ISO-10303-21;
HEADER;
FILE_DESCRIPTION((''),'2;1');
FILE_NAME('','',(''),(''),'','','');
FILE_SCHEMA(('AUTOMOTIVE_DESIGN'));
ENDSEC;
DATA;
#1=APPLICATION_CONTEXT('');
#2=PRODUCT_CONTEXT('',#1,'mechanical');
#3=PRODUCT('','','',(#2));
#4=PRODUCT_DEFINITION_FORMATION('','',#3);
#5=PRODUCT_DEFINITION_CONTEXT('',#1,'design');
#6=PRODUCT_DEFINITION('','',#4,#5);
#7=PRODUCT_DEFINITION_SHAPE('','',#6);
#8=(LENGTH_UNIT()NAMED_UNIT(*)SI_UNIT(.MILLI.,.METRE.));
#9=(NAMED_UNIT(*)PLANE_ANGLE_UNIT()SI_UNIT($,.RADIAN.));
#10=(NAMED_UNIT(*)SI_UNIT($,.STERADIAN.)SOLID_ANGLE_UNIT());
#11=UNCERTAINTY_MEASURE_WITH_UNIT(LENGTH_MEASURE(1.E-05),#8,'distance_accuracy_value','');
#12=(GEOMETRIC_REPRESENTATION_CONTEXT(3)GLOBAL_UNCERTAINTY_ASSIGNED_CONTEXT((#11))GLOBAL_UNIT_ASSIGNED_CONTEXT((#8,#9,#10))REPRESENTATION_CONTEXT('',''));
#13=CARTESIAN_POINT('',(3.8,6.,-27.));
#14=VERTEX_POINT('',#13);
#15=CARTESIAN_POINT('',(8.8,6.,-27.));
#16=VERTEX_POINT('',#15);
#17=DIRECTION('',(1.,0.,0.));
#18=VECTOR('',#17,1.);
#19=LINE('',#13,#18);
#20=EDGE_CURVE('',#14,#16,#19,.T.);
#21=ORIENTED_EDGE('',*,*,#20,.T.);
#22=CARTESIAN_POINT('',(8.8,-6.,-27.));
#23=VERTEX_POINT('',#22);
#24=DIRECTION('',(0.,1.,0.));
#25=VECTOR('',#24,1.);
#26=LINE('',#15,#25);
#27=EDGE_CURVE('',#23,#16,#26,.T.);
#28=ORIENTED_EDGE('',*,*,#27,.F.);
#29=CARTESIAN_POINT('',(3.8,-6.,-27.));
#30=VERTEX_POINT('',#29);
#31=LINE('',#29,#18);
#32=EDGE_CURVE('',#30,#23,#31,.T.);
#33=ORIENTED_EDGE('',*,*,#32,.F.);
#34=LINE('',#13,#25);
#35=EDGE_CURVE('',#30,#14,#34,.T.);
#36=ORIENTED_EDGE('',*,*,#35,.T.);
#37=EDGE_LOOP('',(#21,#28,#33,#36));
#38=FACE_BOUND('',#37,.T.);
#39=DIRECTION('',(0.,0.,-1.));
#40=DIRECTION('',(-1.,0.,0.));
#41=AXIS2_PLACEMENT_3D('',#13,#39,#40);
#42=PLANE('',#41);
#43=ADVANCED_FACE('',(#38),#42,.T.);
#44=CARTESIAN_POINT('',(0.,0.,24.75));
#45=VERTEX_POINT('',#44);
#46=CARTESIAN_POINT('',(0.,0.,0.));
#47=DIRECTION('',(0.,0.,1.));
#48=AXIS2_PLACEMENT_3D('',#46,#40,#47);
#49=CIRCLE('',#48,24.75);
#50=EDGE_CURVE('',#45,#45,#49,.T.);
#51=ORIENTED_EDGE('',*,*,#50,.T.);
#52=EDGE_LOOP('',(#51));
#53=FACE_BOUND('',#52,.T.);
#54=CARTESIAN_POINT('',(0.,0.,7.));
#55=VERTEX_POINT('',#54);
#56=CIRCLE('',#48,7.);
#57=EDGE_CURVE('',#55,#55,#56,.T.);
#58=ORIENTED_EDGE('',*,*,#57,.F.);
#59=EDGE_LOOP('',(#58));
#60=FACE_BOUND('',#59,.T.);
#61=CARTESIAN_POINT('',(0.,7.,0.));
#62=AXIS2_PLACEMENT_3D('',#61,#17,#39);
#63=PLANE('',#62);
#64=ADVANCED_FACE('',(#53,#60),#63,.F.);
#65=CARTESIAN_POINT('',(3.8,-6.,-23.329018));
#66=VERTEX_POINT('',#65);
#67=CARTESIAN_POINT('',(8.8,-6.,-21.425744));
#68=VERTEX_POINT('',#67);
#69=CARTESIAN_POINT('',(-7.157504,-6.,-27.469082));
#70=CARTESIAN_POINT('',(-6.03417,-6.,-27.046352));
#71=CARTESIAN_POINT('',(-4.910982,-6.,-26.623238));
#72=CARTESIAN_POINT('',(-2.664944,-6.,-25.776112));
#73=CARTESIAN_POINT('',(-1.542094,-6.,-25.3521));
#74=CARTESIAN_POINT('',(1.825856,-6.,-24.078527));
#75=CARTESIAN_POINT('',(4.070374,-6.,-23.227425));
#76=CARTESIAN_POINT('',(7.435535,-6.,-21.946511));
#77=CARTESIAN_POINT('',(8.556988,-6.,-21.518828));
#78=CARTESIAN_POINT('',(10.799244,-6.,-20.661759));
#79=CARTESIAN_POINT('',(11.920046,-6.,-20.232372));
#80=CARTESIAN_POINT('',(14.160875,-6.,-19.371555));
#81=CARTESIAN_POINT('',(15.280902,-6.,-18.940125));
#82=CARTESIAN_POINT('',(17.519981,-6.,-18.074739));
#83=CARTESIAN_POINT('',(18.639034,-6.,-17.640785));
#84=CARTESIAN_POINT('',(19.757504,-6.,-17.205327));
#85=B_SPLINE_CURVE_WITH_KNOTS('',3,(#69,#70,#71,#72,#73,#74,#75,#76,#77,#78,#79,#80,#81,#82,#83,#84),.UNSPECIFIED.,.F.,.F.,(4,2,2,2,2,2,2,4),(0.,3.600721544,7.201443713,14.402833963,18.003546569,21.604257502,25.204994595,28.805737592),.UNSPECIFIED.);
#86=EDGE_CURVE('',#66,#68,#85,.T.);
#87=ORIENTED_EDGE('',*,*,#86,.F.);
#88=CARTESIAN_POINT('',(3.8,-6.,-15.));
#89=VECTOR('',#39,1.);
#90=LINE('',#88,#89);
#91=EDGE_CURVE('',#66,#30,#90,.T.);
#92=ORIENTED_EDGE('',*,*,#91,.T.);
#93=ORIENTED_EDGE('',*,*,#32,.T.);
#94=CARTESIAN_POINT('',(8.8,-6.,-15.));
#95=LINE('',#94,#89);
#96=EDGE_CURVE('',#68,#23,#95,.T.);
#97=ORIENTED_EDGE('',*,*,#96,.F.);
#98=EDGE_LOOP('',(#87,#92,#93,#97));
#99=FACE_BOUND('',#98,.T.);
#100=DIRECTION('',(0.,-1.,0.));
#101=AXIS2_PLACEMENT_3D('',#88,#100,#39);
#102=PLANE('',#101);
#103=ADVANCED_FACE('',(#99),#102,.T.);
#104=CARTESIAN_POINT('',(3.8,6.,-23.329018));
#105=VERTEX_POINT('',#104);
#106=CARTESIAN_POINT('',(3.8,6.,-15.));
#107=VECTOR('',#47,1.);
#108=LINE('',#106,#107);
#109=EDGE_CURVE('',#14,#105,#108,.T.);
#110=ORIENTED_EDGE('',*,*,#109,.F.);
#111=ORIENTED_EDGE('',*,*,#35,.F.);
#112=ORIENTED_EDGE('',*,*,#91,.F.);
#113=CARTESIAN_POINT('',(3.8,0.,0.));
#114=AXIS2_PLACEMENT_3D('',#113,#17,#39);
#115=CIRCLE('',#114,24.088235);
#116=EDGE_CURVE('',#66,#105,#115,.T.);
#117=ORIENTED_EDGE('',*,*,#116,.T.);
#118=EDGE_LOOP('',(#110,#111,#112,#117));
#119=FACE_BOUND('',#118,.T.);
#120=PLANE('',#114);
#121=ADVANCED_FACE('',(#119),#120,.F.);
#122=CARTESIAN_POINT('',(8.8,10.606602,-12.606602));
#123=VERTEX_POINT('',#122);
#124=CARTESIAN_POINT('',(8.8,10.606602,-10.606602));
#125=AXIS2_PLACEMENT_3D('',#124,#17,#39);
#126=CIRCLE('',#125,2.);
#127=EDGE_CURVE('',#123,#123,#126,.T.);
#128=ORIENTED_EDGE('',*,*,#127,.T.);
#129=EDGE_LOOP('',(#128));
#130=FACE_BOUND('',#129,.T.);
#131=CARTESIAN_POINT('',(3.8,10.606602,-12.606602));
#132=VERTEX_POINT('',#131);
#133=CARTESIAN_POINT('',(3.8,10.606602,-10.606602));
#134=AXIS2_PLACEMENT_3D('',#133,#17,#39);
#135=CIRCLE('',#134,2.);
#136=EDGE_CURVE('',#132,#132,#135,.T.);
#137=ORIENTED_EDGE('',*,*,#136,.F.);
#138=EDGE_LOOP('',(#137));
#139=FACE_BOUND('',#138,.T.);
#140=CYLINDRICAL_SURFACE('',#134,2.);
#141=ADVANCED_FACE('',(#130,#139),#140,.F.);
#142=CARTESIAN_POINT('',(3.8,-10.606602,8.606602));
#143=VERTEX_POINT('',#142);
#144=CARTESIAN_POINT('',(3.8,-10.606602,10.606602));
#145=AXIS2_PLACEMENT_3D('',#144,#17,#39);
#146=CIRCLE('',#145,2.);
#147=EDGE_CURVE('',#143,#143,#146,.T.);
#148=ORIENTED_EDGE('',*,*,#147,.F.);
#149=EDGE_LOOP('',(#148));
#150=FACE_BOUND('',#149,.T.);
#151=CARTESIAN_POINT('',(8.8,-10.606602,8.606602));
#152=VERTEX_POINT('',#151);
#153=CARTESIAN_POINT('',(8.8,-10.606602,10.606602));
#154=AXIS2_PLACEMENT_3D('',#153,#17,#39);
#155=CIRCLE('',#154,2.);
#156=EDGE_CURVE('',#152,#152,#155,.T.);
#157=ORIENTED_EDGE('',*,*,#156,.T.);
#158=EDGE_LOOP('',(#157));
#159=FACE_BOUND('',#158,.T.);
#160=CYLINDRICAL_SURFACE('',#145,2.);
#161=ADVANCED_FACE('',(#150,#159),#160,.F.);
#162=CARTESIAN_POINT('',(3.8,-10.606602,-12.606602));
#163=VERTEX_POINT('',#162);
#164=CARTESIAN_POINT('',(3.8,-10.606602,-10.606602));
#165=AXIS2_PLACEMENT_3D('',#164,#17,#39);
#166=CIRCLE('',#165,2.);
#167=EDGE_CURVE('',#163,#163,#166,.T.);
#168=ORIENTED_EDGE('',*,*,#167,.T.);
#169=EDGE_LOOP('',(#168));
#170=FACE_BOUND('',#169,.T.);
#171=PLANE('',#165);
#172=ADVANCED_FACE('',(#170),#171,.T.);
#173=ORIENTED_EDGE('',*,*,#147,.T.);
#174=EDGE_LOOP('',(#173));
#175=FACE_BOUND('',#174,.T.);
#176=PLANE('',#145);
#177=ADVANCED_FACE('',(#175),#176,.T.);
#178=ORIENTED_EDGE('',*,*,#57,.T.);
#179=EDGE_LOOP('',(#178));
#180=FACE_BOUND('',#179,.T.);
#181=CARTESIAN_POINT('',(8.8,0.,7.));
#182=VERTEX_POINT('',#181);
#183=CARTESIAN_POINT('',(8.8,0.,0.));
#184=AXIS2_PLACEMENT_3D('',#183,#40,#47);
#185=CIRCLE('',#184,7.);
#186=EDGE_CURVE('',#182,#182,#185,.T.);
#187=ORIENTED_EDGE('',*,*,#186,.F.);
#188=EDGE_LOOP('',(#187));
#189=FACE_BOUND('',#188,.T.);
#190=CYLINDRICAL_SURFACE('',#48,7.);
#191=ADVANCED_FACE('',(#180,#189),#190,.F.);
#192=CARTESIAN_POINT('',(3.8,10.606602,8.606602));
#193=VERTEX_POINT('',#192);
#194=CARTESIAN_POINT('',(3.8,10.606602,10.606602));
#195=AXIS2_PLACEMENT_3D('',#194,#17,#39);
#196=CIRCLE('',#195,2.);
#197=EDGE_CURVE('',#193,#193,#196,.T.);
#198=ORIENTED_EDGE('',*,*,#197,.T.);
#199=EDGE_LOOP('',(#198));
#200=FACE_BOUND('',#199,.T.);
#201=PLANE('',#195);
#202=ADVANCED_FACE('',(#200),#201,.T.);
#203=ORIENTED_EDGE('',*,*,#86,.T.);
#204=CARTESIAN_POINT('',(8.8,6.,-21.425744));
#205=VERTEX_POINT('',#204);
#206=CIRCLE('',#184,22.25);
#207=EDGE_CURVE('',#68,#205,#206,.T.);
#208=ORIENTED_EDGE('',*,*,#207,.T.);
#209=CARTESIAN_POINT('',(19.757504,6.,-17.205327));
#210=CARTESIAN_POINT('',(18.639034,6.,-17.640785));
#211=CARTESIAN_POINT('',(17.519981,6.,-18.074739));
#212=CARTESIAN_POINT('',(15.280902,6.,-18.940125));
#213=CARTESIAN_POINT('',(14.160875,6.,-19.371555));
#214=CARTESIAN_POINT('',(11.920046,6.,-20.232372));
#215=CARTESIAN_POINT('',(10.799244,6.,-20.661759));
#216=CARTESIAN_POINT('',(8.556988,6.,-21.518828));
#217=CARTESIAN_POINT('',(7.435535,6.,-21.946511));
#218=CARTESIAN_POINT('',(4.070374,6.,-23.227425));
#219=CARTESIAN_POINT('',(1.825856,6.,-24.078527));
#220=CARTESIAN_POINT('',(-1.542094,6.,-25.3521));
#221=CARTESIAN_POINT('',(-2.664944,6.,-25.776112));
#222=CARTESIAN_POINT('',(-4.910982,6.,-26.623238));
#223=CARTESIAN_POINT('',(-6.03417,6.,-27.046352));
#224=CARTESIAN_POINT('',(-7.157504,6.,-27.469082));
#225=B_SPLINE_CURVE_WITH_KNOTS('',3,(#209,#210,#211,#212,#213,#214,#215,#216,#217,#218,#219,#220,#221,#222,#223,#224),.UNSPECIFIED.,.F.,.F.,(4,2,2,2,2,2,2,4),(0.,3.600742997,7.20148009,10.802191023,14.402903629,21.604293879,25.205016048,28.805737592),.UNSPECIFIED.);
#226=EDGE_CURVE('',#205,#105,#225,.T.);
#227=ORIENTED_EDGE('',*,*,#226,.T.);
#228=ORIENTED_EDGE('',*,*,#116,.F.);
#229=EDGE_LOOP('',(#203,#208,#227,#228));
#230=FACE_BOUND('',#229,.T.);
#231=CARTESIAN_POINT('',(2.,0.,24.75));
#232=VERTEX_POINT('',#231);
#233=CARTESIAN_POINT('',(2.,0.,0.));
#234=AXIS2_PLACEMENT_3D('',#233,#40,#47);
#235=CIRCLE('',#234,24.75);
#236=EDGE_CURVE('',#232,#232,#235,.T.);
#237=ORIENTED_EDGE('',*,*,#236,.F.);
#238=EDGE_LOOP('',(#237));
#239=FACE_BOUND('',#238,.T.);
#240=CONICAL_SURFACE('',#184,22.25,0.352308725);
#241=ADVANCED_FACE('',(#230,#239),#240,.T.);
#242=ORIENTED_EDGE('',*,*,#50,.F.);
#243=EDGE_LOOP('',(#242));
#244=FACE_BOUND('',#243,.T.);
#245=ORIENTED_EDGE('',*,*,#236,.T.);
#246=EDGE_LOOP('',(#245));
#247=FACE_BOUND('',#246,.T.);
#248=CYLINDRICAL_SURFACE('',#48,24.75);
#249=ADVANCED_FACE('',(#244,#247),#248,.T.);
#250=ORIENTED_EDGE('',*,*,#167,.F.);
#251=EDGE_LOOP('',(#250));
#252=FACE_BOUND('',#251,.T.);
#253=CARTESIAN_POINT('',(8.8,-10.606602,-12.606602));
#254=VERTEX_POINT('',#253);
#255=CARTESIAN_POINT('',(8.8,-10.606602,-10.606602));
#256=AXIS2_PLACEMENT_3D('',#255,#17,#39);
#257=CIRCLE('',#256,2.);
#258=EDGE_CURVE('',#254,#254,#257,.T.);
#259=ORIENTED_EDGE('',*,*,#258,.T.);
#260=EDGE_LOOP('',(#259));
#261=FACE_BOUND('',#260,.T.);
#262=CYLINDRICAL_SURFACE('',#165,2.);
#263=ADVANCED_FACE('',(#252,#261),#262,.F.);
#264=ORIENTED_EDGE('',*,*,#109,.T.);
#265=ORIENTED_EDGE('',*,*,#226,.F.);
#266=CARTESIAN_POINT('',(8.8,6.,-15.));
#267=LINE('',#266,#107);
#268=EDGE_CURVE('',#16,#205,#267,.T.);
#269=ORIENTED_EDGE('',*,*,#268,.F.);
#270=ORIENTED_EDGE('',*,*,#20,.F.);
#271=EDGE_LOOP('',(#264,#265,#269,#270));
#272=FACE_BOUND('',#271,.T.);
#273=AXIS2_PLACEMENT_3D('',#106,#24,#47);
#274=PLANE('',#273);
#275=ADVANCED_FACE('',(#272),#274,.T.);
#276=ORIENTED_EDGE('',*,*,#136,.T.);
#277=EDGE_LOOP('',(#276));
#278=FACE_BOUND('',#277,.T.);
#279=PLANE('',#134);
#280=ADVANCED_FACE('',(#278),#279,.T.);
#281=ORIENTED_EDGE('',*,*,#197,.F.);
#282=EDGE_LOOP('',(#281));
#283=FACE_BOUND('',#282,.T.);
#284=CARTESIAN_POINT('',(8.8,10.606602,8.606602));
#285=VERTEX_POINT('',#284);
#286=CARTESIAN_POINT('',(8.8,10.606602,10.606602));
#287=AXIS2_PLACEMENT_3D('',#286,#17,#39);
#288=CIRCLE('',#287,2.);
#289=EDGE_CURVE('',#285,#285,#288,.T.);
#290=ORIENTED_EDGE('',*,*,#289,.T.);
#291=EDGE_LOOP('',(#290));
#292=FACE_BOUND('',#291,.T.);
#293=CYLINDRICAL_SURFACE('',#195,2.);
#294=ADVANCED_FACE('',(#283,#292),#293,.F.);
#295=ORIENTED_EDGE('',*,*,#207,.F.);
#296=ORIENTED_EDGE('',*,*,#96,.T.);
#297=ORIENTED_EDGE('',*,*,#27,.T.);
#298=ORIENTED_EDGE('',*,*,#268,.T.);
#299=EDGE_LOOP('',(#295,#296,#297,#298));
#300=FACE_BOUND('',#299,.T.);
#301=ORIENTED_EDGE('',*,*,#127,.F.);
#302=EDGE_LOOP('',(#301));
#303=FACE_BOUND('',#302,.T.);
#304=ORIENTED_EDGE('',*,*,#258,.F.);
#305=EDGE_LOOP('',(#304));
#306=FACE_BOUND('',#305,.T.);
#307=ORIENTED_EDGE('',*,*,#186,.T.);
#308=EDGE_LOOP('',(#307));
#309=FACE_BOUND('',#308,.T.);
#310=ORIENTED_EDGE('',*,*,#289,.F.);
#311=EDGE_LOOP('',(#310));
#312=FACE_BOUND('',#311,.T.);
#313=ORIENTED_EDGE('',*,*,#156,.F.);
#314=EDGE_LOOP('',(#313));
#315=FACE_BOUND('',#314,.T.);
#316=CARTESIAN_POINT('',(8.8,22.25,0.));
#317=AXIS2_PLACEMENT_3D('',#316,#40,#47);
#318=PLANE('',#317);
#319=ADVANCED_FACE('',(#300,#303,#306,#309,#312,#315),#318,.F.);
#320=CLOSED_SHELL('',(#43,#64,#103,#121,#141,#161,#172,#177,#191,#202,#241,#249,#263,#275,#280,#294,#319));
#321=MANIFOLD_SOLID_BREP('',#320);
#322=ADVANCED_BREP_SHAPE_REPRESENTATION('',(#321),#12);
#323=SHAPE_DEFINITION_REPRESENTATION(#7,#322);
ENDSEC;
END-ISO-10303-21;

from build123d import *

# Parameters (mm, degrees)
SKETCH3_R           = 2
CUT_EXTRUDE1_DEPTH  = 5
SKETCH4_W           = 12
SKETCH4_H           = 12
BOSS_EXTRUDE1_DEPTH = 5


with BuildPart() as part:
    # Sketch2 → Revolve1 (revolve)
    with BuildSketch(Plane.XY, mode=Mode.PRIVATE) as revolve1_sk:
        Polygon((0, 24.75), (2, 24.75), (8.8, 22.25), (8.8, 7), (0, 7), align=None)
    revolve(revolve1_sk.sketch.rotate(Axis((0, 0, 0), (1, 0, 0)), 90), axis=Axis((0, 0, 0), (1, 0, 0)))

    # Sketch3 → Cut-Extrude1 (cut)
    with BuildSketch(Plane(origin=(8.8, 0, 0), x_dir=(0, 0, -1), z_dir=(1, 0, 0))):
        with Locations((10.606601718, 10.606601718)):
            Circle(SKETCH3_R)
        with Locations((10.606601718, -10.606601718)):
            Circle(SKETCH3_R)
        with Locations((-10.606601718, -10.606601718)):
            Circle(SKETCH3_R)
        with Locations((-10.606601718, 10.606601718)):
            Circle(SKETCH3_R)
    extrude(amount=-CUT_EXTRUDE1_DEPTH, mode=Mode.SUBTRACT)

    # Sketch4 → Boss-Extrude1 (add)
    with BuildSketch(Plane(origin=(8.8, 0, 0), x_dir=(0, 0, -1), z_dir=(1, 0, 0))):
        with Locations((21, 0)):
            Rectangle(SKETCH4_W, SKETCH4_H)
    extrude(amount=-BOSS_EXTRUDE1_DEPTH)


solid = part.part
